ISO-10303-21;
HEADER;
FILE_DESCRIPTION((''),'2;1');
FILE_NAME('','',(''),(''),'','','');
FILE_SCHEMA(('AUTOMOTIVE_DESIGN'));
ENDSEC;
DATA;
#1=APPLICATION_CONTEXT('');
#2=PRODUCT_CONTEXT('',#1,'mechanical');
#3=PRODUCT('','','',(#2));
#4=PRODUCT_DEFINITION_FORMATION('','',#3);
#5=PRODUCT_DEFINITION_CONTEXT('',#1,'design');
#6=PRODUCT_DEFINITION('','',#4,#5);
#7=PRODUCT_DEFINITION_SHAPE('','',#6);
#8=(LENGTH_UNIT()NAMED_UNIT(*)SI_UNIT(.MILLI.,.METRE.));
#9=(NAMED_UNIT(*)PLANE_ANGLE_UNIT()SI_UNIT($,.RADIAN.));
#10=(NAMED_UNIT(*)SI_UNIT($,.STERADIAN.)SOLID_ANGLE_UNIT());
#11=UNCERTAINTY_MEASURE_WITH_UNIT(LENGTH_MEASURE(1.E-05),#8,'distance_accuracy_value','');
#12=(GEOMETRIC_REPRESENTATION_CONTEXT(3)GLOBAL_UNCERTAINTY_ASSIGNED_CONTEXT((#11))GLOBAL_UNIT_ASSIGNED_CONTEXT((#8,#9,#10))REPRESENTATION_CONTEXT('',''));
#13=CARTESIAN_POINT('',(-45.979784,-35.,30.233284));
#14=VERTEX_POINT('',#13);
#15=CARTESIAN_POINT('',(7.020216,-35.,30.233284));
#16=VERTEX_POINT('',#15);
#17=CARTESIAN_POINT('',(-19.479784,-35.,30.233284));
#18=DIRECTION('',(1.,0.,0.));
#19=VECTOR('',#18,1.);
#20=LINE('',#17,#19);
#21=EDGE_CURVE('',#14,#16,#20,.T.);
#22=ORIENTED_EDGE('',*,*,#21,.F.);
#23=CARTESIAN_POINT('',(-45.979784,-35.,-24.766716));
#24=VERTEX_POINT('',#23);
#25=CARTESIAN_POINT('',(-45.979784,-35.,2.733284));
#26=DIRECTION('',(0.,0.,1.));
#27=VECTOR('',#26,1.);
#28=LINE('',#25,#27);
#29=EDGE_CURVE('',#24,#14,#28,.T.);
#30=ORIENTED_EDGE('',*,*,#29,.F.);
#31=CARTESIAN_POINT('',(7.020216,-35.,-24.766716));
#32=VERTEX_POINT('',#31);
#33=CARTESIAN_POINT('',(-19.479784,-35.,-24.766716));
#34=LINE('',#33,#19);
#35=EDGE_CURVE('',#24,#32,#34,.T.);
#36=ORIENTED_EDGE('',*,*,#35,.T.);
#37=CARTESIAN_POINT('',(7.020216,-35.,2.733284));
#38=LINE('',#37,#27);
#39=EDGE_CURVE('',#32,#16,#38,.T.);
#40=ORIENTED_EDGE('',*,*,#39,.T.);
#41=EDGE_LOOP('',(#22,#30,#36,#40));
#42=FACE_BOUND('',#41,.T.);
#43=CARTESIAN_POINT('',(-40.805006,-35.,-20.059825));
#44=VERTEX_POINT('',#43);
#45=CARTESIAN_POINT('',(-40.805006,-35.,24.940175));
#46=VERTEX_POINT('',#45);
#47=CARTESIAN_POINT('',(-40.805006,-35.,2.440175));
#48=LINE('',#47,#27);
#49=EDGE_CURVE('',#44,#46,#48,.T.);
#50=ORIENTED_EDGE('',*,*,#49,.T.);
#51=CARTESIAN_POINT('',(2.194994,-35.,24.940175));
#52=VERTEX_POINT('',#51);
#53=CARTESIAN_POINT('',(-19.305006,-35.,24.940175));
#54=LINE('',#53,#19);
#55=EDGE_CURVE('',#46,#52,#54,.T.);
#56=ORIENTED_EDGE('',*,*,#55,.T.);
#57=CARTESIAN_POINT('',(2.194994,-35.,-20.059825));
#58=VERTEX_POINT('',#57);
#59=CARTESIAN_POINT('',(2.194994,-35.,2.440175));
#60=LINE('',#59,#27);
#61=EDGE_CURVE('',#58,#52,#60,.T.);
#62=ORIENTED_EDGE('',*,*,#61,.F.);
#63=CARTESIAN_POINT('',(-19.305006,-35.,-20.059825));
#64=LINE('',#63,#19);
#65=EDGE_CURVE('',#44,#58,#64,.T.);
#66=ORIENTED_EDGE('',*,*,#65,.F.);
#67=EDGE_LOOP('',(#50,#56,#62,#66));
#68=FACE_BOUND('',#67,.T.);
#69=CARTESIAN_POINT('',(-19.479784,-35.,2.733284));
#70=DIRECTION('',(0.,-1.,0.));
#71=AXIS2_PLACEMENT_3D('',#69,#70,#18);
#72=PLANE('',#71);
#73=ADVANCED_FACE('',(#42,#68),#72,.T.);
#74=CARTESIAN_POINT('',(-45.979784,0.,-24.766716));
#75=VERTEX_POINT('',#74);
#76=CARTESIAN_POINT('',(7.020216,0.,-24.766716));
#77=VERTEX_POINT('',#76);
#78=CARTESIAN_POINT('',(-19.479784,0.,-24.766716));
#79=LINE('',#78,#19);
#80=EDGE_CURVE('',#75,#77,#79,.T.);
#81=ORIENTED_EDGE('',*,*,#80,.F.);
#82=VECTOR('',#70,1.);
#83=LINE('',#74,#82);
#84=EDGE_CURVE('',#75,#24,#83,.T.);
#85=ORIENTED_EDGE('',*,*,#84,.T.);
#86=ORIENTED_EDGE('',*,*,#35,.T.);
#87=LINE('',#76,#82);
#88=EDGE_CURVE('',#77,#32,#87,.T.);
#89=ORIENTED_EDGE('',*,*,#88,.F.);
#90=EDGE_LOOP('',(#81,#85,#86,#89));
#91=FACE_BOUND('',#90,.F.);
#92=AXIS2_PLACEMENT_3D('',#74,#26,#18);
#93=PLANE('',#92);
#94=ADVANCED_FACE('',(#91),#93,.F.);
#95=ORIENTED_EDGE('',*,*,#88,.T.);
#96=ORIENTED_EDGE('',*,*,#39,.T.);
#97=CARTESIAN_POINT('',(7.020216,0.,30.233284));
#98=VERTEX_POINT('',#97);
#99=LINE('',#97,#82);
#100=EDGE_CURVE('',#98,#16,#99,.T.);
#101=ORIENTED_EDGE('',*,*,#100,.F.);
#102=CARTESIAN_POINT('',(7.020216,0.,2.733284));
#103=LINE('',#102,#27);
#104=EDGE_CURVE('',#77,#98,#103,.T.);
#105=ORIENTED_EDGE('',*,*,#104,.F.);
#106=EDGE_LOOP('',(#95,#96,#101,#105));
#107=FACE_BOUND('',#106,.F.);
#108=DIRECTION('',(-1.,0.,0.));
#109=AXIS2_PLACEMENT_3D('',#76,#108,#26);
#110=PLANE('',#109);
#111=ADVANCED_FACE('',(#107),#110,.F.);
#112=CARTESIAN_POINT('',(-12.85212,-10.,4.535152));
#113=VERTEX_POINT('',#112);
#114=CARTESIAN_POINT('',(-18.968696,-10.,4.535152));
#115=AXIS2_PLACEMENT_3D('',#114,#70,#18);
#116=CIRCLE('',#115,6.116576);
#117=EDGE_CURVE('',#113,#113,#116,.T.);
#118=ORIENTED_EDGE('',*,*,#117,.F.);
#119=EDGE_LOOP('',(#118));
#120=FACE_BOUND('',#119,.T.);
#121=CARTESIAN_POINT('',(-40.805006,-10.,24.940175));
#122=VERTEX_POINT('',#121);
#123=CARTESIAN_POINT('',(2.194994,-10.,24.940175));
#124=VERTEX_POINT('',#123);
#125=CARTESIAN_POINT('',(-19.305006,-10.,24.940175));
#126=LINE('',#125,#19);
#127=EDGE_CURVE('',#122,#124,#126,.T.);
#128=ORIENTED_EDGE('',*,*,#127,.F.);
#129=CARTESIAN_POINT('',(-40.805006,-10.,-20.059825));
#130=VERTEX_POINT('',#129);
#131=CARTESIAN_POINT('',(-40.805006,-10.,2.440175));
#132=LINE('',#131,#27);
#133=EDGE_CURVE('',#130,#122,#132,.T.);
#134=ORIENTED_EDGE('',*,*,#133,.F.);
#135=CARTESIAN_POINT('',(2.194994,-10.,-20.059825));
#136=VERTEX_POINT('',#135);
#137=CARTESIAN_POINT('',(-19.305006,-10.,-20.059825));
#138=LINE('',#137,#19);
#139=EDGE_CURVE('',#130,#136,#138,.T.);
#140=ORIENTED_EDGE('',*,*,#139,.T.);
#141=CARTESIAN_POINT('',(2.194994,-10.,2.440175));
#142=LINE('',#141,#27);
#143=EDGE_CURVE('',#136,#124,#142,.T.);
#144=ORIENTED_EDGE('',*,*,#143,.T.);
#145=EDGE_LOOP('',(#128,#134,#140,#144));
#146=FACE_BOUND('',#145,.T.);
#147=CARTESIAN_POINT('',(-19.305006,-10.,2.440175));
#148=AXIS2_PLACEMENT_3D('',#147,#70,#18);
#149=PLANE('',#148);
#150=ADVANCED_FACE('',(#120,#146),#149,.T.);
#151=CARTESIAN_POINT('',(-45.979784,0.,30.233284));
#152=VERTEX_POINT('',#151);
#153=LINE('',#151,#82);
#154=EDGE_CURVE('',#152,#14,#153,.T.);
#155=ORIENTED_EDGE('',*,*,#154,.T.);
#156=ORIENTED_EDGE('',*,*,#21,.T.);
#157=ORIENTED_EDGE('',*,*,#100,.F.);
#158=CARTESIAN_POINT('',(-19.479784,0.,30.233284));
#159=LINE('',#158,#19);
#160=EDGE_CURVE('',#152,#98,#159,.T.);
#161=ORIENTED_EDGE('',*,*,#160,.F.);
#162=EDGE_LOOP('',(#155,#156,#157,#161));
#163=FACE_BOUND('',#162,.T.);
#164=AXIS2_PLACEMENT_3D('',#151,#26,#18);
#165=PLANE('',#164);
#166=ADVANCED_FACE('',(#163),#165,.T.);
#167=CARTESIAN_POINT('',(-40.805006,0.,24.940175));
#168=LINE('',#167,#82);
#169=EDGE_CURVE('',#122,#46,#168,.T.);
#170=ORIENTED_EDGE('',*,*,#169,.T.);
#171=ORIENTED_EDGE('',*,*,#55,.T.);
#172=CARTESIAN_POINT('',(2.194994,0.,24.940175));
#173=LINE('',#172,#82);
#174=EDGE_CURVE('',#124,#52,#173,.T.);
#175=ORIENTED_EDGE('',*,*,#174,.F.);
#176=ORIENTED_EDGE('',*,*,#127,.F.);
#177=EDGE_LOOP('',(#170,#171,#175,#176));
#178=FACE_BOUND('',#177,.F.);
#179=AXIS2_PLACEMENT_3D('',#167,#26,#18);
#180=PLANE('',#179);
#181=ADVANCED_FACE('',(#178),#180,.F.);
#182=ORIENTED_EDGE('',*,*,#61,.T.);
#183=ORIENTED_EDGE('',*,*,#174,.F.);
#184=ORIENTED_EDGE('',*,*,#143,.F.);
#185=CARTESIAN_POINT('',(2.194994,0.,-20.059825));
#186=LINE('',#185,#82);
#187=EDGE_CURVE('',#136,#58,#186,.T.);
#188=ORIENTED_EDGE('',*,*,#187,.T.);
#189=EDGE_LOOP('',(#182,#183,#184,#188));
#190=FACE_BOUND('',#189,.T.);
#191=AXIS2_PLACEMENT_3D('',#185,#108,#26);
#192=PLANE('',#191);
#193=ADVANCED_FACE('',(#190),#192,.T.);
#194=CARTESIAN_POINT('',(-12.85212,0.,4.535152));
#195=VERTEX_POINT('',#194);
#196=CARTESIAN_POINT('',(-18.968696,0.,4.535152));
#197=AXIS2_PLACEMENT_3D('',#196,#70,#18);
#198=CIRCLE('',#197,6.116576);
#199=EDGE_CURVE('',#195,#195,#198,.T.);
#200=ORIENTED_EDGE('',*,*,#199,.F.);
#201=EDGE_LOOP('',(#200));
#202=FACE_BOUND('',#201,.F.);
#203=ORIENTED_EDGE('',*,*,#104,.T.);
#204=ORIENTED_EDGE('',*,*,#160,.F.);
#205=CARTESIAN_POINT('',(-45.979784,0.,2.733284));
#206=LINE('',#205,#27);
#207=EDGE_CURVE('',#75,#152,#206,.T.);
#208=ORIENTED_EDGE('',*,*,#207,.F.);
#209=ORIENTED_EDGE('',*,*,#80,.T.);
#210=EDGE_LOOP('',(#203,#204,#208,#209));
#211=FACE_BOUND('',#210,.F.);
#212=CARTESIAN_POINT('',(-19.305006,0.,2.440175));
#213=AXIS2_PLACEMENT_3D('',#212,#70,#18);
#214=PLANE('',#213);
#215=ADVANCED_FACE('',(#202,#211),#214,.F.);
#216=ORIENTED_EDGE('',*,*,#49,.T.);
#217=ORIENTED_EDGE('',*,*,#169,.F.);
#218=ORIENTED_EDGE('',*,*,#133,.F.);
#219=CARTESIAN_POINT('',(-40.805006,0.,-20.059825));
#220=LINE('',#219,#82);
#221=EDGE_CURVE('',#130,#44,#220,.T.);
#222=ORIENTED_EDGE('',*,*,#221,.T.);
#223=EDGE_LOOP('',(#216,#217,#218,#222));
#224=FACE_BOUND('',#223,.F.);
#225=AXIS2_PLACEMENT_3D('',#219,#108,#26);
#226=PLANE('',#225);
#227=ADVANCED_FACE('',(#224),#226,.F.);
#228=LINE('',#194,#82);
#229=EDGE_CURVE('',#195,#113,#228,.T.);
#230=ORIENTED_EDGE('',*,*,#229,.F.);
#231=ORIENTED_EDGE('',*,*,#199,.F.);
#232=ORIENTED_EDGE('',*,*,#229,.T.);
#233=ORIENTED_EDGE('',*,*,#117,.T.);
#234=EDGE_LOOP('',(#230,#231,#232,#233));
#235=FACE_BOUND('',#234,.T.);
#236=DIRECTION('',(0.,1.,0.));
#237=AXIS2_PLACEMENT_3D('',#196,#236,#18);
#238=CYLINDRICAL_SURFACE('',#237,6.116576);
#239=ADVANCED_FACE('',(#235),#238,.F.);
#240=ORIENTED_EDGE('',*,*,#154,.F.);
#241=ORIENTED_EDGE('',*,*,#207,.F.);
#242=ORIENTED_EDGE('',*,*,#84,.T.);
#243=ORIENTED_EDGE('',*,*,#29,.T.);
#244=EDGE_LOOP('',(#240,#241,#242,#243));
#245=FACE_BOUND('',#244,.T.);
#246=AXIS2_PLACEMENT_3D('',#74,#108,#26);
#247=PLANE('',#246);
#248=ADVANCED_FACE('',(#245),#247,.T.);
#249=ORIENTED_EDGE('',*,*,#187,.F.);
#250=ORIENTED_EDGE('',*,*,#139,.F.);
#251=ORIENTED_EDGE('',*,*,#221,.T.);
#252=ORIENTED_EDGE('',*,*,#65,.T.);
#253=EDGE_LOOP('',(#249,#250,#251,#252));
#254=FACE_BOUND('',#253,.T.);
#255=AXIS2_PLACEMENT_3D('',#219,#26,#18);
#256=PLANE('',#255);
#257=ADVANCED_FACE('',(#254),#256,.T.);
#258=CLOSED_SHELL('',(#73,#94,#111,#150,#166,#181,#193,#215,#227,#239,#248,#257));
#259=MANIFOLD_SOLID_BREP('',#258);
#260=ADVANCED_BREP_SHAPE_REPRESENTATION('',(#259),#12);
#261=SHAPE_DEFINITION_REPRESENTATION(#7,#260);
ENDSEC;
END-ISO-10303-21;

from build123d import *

# Parameters (mm, degrees)
F1_W     = 53
F1_H     = 55
F1_W_2   = 43
F1_H_2   = 45
F2_DEPTH = 35
F1_R     = 6.116576
F3_DEPTH = 10


with BuildPart() as f2:
    # F1 (on face) → F2 (new body)
    with BuildSketch(Plane.XZ):
        with Locations((-19.479784, 2.733284)):
            Rectangle(F1_W, F1_H)
        with Locations((-19.305006, 2.440175)):
            Rectangle(F1_W_2, F1_H_2, mode=Mode.SUBTRACT)
    extrude(amount=F2_DEPTH)

    # F1 (on face) → F3 (join)
    with BuildSketch(Plane.XZ):
        with Locations((-19.305006, 2.440175)):
            Rectangle(F1_W_2, F1_H_2)
        with Locations((-18.968696, 4.535152)):
            Circle(F1_R, mode=Mode.SUBTRACT)
    extrude(amount=F3_DEPTH)


solid = f2.part
